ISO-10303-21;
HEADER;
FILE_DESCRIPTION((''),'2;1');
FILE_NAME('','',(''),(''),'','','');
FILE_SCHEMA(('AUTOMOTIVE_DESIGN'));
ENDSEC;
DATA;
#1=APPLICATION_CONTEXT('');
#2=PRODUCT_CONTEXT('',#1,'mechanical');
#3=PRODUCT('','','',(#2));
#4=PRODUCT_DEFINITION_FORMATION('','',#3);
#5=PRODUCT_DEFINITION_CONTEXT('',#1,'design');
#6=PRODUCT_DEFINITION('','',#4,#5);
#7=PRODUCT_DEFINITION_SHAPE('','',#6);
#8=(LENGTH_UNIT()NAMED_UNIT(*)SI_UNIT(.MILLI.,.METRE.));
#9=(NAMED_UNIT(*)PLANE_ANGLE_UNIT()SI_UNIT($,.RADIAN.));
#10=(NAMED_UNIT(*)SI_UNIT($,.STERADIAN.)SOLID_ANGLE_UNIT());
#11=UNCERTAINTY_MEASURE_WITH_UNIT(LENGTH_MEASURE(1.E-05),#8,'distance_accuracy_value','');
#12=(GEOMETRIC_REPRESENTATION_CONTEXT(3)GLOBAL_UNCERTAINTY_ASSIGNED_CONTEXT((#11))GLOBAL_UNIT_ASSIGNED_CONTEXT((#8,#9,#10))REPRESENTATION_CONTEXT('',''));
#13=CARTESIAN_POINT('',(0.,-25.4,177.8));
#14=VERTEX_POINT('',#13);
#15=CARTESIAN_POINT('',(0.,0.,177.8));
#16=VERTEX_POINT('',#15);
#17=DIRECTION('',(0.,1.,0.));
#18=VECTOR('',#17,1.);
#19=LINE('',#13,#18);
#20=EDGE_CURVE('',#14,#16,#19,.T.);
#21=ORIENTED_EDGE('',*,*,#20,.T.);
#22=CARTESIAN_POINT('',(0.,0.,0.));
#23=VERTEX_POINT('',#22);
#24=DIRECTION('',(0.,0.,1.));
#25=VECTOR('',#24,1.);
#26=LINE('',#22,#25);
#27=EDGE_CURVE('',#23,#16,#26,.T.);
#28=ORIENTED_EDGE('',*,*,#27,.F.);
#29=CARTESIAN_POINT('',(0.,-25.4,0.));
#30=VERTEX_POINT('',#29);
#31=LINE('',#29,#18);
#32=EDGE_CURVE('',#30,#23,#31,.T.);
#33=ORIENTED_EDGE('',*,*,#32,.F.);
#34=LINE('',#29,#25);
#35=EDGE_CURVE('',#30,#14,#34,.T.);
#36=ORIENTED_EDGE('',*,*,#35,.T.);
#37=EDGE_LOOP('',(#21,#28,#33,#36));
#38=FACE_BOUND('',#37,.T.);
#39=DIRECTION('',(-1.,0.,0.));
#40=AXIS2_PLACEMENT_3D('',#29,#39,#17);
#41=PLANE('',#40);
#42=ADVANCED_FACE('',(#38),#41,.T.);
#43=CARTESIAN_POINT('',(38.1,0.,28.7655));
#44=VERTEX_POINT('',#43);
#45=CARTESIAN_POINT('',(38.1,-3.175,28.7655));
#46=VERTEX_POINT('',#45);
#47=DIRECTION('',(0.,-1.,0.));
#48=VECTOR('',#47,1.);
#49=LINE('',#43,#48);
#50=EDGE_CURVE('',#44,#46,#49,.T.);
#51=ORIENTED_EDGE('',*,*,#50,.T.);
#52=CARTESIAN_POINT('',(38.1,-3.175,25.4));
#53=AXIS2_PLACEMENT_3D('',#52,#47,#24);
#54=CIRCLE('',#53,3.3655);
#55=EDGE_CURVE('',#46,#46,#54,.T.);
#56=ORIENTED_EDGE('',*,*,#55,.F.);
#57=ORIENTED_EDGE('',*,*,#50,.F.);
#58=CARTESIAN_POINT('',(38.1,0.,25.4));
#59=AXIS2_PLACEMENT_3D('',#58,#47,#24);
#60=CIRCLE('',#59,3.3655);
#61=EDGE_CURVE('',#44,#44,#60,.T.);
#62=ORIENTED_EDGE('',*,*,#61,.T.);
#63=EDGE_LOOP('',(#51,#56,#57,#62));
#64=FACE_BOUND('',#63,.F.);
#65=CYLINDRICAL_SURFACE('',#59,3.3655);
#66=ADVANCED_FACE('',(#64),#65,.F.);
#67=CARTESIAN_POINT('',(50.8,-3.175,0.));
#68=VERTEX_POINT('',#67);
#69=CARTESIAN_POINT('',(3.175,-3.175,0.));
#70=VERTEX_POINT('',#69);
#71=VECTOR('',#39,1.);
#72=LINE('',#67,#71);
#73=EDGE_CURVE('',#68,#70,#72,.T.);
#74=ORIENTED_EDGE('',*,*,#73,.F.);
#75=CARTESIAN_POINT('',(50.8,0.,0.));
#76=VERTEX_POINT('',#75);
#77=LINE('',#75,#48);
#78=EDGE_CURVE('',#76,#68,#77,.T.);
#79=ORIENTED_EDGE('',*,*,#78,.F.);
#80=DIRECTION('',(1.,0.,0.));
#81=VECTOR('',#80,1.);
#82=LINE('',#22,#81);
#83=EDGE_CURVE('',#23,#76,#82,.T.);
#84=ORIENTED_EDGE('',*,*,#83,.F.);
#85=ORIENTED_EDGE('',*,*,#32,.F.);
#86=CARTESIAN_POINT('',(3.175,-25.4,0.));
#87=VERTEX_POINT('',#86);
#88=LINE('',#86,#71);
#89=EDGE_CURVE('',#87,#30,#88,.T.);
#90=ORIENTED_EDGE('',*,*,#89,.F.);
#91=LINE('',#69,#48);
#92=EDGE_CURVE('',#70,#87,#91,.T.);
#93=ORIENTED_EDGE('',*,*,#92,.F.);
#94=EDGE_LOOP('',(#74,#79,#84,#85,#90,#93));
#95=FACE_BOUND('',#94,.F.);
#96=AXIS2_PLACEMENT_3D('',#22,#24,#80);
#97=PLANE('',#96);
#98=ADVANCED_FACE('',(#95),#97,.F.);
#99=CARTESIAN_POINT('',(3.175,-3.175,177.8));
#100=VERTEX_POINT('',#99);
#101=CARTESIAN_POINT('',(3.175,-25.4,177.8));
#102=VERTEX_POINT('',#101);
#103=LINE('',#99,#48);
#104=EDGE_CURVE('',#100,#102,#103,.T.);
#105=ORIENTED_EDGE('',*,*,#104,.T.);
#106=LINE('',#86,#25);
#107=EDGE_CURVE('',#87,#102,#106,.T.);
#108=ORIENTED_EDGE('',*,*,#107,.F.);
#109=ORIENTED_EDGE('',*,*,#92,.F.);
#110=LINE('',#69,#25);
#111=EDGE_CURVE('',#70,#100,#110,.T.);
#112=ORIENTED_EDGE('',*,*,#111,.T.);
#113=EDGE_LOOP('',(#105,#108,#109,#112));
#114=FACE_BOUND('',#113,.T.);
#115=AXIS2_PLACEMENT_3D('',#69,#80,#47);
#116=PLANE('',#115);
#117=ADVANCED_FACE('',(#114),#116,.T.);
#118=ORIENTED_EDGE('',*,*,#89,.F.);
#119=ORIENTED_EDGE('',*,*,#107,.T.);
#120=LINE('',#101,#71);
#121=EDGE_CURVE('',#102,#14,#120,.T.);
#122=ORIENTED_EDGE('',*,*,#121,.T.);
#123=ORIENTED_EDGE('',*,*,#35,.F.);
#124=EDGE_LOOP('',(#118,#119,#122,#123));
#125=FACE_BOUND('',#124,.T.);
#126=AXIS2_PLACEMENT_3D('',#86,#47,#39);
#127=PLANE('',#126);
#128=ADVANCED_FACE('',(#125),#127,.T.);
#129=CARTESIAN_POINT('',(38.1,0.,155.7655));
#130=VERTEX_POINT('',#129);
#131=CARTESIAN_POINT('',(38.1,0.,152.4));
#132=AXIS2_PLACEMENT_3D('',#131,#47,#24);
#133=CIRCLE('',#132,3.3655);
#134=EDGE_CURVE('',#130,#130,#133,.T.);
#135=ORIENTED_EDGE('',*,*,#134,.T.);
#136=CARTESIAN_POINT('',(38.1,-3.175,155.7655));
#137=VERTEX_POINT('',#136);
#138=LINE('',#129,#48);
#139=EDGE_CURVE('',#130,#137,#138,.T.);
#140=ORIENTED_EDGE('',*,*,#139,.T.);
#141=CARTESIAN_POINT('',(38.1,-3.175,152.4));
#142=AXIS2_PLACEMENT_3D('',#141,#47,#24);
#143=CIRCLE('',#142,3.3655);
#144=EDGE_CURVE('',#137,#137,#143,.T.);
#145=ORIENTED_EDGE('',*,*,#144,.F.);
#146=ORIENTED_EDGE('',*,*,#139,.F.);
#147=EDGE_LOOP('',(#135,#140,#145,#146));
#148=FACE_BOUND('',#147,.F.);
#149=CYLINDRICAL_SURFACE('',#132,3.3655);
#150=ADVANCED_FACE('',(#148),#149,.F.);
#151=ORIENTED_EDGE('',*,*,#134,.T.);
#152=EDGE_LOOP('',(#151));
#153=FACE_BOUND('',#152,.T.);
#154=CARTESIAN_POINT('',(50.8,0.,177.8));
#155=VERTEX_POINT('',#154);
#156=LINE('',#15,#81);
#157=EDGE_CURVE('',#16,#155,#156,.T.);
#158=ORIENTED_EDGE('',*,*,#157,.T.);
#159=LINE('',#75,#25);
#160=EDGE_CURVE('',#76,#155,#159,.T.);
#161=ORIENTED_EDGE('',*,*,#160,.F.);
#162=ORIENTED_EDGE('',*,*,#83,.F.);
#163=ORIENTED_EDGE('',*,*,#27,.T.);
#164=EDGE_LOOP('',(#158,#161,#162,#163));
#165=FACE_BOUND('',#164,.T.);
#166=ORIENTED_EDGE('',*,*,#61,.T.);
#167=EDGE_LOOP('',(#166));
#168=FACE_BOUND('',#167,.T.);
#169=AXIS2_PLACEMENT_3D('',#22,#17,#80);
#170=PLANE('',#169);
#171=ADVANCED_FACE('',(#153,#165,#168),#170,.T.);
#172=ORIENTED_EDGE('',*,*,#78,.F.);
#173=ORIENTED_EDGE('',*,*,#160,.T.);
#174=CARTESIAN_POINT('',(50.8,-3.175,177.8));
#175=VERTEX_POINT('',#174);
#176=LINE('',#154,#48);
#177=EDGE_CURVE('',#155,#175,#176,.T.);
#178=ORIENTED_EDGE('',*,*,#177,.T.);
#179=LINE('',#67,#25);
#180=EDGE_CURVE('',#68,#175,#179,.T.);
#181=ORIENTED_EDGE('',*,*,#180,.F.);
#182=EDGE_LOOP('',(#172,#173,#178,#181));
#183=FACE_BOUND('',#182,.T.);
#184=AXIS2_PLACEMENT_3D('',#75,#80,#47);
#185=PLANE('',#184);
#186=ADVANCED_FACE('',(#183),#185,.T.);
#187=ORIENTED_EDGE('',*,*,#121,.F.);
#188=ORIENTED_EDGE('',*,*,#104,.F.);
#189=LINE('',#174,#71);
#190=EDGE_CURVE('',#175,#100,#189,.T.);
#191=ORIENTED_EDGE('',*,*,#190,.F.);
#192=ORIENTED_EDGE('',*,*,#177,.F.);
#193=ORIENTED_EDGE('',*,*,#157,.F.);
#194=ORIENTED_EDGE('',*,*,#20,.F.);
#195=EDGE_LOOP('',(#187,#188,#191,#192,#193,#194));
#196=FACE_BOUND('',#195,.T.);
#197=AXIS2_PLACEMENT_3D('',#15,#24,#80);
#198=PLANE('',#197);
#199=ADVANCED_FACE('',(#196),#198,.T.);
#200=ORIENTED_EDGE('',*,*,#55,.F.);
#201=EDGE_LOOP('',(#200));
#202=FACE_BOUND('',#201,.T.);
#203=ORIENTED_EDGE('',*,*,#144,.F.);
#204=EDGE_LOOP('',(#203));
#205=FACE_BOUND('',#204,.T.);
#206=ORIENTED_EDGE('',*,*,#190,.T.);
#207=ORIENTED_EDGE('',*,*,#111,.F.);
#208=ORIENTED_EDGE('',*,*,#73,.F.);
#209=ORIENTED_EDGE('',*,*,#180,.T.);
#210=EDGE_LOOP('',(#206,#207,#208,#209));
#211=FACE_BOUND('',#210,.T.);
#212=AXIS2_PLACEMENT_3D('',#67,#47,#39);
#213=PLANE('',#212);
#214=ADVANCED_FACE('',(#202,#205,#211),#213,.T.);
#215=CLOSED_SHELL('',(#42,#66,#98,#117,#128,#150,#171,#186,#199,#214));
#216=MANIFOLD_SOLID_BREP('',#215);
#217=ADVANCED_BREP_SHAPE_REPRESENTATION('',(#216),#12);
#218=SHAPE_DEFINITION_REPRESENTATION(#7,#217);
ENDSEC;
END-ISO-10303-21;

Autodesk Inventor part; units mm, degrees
ref_plane "YZ Plane" through (0, 0, 0) normal (1, 0, 0) x (0, 1, 0)
ref_plane "XZ Plane" through (0, 0, 0) normal (0, 1, 0) x (-1, 0, 0)
ref_plane "XY Plane" through (0, 0, 0) normal (0, 0, 1) x (1, 0, 0)
sketch "Sketch1" plane through (0, 0, 0) normal (0, 0, 1) x (1, 0, 0)
  line L0 (0, 0) -> (50.8, 0)
  line L1 (50.8, 0) -> (50.8, -3.175)
  line L2 (50.8, -3.175) -> (3.175, -3.175)
  line L3 (3.175, -3.175) -> (3.175, -25.4)
  line L4 (3.175, -25.4) -> (0, -25.4)
  line L5 (0, -25.4) -> (0, 0)
  dimension "d0" = 3.175
  dimension "d1" = 50.8
  dimension "d2" = 25.4
extrude "Extrusion1" add sketch "Sketch1" along normal blind 177.8
hole "Hole1" at (38.1, 0, 152.4) direction (0, -1, 0) diameter 6.731 depth 25.4 tip angle 118
pattern_linear "Rectangular Pattern1" count 2 spacing 127 along (0, 0, -1) of "Hole1"
properties part number "GE-12028-06"
